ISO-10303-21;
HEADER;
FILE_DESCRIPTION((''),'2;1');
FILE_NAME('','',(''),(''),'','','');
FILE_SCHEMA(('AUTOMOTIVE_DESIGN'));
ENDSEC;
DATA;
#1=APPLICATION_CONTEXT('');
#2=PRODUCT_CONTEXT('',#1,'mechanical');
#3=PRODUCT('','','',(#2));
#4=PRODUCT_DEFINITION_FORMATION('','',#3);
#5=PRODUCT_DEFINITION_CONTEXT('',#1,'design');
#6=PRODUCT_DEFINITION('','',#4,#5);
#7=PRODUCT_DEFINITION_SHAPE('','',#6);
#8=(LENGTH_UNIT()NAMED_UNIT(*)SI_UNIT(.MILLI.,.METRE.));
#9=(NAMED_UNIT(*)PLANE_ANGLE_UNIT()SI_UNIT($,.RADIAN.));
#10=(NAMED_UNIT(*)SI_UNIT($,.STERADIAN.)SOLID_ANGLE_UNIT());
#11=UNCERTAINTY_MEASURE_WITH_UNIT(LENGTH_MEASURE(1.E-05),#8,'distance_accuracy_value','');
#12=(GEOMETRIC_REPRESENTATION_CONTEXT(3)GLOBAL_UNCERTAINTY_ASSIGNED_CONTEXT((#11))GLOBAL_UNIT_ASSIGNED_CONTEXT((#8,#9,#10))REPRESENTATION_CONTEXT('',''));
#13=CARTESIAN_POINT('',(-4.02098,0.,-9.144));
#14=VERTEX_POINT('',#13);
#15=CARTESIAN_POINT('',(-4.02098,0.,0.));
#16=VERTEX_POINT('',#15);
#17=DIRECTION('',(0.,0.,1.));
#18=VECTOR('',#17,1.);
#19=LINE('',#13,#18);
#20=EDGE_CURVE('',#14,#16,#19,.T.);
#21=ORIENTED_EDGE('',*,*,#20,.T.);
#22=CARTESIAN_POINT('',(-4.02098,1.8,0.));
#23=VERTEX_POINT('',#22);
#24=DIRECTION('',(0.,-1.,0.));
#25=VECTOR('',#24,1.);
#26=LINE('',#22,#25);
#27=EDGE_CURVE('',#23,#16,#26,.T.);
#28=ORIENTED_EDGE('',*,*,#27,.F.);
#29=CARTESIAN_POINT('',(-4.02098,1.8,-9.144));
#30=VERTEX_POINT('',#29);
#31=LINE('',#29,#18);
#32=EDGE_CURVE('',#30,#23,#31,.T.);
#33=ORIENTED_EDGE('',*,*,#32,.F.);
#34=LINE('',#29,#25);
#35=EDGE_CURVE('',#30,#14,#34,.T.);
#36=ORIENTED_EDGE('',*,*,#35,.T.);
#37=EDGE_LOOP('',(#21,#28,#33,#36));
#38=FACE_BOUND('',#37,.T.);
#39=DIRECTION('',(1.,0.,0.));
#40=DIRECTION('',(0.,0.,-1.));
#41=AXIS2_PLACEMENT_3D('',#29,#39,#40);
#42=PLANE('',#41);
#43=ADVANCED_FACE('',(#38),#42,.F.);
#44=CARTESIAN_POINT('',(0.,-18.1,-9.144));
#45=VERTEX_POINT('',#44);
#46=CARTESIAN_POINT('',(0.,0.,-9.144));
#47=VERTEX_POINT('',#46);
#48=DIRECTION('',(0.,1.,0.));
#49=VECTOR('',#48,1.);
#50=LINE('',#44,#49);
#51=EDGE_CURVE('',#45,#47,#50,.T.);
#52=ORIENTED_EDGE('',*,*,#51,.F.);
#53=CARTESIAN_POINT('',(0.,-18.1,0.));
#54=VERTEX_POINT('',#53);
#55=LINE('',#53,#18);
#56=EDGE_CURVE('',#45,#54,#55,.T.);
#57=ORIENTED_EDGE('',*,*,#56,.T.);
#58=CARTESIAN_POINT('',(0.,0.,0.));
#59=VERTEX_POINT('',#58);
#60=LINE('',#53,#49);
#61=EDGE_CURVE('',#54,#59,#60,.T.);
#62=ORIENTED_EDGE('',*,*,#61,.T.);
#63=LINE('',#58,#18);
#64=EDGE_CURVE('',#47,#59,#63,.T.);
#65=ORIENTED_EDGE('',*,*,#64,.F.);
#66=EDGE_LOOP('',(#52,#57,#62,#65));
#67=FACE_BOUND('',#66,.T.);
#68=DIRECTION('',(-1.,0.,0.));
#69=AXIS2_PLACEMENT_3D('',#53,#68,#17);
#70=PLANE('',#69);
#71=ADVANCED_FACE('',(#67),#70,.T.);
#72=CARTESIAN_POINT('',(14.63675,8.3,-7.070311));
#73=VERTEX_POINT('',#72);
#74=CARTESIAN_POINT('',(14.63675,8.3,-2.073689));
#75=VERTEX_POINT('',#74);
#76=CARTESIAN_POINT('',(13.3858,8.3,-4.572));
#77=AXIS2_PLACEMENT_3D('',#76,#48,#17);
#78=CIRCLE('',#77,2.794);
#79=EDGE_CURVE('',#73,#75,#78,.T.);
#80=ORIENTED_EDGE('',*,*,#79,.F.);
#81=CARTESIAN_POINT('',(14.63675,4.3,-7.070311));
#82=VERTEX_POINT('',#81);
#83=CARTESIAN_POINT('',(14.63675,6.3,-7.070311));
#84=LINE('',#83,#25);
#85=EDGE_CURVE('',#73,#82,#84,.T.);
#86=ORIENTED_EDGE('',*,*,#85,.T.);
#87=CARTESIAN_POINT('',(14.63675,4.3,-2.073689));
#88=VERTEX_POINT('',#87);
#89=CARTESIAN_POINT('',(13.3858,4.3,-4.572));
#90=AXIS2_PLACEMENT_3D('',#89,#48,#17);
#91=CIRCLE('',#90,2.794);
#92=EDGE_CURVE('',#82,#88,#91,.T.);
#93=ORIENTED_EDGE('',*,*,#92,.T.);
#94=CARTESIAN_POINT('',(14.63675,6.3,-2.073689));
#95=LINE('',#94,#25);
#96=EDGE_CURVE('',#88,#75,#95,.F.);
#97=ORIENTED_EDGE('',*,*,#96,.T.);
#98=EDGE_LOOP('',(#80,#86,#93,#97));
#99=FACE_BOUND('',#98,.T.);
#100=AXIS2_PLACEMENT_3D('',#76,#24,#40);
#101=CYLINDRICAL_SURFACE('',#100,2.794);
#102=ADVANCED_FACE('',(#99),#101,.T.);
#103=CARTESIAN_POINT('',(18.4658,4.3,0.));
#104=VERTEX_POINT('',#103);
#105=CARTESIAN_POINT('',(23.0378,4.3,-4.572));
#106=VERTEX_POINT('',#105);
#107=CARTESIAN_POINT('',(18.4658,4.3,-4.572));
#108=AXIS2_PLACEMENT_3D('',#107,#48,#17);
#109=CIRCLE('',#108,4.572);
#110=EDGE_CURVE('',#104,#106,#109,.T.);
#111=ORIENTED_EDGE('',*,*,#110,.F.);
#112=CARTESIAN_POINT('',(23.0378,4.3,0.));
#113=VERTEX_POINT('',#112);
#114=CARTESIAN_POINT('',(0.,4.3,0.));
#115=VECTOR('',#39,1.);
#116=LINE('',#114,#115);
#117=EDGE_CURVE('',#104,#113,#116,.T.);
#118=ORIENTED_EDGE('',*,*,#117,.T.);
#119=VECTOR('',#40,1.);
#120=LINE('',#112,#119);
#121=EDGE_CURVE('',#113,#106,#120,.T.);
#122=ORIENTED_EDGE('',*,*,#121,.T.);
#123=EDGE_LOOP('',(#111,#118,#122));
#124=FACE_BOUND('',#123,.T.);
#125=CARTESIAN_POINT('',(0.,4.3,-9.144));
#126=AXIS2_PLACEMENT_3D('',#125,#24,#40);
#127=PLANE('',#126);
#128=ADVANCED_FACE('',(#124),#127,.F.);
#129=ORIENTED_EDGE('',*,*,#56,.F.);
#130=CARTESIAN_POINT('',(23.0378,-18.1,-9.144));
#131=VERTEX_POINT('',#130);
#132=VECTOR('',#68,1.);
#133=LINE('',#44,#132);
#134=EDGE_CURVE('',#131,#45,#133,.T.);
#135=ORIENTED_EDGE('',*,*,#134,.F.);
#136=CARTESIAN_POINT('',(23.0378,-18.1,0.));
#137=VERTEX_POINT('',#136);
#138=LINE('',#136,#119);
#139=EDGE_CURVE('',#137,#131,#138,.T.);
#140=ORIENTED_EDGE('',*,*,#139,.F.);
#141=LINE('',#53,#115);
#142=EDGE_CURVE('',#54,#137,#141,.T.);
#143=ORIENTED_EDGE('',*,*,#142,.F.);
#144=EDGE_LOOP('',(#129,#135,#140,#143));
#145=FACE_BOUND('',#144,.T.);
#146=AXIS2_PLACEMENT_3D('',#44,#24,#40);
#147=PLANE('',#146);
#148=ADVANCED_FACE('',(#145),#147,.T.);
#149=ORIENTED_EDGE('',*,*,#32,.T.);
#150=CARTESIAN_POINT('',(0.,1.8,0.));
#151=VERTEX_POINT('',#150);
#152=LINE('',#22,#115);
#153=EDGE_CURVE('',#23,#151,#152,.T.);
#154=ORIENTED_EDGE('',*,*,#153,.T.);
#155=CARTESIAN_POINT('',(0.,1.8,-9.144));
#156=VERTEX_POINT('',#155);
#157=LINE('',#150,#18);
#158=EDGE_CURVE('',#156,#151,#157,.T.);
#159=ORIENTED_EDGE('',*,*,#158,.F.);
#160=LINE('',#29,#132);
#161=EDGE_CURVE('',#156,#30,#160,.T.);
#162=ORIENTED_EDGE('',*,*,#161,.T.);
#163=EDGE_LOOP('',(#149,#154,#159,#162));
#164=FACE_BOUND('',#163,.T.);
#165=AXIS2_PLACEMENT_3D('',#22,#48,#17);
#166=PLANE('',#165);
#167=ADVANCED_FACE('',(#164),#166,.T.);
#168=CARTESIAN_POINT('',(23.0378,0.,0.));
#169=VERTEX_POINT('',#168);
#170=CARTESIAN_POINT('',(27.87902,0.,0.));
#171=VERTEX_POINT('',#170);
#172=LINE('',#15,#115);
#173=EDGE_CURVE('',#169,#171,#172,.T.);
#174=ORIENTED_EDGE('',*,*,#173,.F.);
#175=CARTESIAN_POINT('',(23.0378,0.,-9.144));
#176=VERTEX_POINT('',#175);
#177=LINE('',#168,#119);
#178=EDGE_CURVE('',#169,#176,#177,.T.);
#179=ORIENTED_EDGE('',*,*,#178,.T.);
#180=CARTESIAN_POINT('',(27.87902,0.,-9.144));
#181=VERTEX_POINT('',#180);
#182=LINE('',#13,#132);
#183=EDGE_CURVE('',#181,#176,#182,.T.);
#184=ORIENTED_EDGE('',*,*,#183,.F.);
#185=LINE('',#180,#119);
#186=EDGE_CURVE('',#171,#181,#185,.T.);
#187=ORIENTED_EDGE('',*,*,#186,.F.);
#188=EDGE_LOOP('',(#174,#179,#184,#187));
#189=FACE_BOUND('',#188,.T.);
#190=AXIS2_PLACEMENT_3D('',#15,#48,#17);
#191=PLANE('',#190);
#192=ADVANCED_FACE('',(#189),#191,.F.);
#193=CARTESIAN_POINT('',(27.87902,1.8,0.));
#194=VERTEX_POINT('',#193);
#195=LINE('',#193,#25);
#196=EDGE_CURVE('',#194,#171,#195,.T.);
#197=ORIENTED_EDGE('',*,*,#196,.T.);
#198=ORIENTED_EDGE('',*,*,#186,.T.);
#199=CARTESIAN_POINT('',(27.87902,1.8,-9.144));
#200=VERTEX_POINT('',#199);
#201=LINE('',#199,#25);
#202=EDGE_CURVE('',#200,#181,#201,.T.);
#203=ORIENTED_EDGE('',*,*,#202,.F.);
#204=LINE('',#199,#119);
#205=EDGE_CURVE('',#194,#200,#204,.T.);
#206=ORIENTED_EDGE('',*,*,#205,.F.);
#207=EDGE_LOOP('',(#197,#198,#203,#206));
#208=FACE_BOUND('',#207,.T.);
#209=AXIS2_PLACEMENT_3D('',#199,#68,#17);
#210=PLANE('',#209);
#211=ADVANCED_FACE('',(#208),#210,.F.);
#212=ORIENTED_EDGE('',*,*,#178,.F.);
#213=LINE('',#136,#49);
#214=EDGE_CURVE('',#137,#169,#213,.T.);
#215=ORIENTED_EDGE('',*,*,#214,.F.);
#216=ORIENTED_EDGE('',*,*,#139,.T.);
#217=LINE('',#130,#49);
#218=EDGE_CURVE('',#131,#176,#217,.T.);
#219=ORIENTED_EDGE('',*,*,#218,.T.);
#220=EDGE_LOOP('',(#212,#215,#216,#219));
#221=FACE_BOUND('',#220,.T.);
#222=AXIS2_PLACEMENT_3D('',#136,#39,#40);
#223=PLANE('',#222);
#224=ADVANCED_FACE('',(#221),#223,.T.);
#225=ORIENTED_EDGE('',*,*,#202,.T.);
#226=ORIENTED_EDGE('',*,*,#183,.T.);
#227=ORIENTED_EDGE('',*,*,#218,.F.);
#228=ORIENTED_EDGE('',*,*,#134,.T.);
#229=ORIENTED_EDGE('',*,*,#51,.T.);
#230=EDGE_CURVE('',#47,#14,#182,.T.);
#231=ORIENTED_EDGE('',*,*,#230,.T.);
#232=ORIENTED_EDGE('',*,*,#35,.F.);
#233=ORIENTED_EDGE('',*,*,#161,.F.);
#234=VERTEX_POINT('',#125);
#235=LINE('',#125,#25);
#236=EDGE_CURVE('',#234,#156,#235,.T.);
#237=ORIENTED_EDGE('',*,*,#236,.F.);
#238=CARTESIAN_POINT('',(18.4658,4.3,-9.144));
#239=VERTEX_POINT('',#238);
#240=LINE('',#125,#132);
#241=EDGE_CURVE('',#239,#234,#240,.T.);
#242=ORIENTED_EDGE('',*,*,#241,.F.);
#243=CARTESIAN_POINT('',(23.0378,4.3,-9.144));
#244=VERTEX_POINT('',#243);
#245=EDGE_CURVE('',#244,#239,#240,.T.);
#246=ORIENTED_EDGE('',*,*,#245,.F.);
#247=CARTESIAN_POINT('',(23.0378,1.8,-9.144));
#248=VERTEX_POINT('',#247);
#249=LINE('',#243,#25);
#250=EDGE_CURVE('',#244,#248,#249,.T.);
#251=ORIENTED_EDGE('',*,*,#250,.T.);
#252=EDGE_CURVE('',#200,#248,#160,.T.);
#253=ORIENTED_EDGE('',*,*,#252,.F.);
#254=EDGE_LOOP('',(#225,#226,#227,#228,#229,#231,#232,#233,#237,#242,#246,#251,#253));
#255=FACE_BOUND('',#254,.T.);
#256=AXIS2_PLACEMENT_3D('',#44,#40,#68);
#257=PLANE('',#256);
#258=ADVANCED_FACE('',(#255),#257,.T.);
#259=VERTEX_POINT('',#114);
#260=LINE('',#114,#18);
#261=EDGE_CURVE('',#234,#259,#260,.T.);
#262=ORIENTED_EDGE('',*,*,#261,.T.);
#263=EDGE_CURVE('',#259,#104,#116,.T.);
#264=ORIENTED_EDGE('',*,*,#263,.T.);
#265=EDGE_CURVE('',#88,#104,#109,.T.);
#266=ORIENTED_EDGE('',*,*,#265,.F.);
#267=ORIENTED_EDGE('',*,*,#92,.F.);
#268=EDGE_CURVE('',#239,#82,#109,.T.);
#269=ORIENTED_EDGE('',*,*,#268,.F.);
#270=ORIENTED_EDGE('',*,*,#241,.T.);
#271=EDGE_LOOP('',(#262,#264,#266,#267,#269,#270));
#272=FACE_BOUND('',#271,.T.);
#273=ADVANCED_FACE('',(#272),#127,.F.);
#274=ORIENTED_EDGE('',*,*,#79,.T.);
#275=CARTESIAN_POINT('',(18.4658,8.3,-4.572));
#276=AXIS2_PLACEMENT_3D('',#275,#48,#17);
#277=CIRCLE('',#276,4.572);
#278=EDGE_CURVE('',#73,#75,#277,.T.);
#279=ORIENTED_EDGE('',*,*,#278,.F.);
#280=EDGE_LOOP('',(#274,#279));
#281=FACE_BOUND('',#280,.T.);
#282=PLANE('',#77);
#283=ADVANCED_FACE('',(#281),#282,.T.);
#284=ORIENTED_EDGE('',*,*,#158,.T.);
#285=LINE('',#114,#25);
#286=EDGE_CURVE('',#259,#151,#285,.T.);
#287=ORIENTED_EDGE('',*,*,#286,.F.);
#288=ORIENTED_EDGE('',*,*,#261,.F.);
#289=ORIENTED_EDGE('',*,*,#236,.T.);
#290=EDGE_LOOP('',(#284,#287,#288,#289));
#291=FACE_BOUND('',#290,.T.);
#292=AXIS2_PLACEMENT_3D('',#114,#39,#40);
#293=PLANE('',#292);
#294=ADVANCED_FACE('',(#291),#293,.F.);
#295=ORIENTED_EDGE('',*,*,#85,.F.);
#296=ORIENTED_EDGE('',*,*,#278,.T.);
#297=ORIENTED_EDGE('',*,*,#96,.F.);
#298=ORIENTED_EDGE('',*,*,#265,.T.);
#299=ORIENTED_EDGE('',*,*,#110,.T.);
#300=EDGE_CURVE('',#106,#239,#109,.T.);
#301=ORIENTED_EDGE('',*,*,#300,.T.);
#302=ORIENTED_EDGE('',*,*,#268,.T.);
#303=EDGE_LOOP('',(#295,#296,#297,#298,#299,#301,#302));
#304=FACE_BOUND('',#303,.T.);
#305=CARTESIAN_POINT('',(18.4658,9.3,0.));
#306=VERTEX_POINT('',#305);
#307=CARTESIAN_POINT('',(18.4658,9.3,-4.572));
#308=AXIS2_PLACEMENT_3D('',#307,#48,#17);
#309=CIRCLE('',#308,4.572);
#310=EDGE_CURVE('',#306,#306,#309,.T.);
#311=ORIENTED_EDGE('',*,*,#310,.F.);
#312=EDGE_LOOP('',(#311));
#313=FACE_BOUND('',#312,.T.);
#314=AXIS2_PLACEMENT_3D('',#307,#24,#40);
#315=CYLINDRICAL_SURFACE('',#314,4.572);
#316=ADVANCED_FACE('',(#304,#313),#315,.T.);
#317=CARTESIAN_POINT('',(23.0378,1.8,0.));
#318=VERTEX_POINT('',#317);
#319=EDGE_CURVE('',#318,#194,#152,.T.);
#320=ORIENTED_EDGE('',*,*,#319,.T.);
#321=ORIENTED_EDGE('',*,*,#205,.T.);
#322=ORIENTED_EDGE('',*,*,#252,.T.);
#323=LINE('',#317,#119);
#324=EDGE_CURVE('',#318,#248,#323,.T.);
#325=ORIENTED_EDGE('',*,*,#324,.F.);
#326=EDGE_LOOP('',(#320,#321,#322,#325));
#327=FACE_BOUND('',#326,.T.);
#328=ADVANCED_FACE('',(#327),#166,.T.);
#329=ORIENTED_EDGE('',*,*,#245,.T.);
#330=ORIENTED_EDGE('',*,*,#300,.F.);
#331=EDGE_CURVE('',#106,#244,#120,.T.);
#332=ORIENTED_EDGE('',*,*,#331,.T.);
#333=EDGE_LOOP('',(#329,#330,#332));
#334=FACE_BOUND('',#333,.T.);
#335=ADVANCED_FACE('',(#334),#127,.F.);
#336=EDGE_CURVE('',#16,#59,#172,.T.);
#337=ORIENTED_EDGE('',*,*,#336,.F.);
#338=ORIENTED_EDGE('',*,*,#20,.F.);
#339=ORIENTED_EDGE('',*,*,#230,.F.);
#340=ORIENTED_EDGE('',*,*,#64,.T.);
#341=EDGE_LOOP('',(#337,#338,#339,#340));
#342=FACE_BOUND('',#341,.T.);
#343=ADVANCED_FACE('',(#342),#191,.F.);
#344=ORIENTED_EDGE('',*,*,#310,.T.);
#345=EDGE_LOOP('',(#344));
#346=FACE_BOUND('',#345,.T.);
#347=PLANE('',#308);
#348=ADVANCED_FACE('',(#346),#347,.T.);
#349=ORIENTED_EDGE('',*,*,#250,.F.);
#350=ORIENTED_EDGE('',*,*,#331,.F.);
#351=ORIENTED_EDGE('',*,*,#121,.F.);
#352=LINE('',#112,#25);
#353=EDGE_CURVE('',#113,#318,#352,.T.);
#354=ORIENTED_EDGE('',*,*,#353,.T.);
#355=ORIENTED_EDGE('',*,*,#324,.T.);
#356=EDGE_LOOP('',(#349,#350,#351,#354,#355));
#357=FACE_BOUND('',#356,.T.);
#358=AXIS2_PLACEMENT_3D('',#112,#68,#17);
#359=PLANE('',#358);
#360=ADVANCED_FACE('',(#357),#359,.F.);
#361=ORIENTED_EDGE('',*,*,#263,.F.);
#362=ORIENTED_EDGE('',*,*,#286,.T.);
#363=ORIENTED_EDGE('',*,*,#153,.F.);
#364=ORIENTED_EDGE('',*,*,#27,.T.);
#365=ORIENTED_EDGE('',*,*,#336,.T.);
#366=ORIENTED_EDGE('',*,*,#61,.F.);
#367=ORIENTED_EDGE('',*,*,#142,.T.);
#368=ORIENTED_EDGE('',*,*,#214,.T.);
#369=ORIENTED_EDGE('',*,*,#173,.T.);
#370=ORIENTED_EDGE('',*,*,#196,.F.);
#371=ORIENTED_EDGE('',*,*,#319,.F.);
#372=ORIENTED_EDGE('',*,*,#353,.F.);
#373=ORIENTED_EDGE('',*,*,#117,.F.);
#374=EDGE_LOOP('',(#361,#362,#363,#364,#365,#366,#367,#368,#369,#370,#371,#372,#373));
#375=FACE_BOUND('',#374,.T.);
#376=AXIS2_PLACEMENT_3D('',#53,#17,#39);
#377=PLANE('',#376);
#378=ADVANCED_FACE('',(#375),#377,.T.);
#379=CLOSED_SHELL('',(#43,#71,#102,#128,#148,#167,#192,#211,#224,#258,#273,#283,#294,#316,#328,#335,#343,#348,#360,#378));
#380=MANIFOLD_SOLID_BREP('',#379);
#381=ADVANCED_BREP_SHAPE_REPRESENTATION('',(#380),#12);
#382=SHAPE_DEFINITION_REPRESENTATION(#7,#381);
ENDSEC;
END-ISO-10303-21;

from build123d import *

# Parameters (mm, degrees)
SKETCH1_W           = 23.0378
SKETCH1_H           = 9.144
BOSS_EXTRUDE1_DEPTH = 18.1
SKETCH2_W           = 31.9
SKETCH2_H           = 9.144
BOSS_EXTRUDE2_DEPTH = 1.8
SKETCH3_W           = 23.0378
SKETCH3_H           = 9.144
BOSS_EXTRUDE3_DEPTH = 2.5
SKETCH4_R           = 4.572
BOSS_EXTRUDE4_DEPTH = 5
SKETCH5_R           = 2.794
BOSS_EXTRUDE5_DEPTH = 4


with BuildPart() as part:
    # Sketch1 → Boss-Extrude1 (new body)
    with BuildSketch(Plane(origin=(0, 0, 0), x_dir=(1, 0, 0), z_dir=(0, 1, 0))):
        with Locations((11.5189, 4.572)):
            Rectangle(SKETCH1_W, SKETCH1_H)
    extrude(amount=-BOSS_EXTRUDE1_DEPTH)

    # Sketch2 → Boss-Extrude2 (add)
    with BuildSketch(Plane(origin=(0, 0, 0), x_dir=(1, 0, 0), z_dir=(0, 1, 0))):
        with Locations((11.929019777, 4.572)):
            Rectangle(SKETCH2_W, SKETCH2_H)
    extrude(amount=BOSS_EXTRUDE2_DEPTH)

    # Sketch3 → Boss-Extrude3 (add)
    with BuildSketch(Plane(origin=(0, 1.8, 0), x_dir=(1, 0, 0), z_dir=(0, 1, 0))):
        with Locations((11.5189, 4.572)):
            Rectangle(SKETCH3_W, SKETCH3_H)
    extrude(amount=BOSS_EXTRUDE3_DEPTH)

    # Sketch4 → Boss-Extrude4 (add)
    with BuildSketch(Plane(origin=(0, 4.3, 0), x_dir=(1, 0, 0), z_dir=(0, 1, 0))):
        with Locations(Location((18.4658, 4.572, 0), (0, 0, 270))):
            Circle(SKETCH4_R)
    extrude(amount=BOSS_EXTRUDE4_DEPTH)

    # Sketch5 → Boss-Extrude5 (add)
    with BuildSketch(Plane(origin=(0, 4.3, 0), x_dir=(1, 0, 0), z_dir=(0, 1, 0))):
        with Locations((13.3858, 4.572)):
            Circle(SKETCH5_R)
    extrude(amount=BOSS_EXTRUDE5_DEPTH)


solid = part.part
